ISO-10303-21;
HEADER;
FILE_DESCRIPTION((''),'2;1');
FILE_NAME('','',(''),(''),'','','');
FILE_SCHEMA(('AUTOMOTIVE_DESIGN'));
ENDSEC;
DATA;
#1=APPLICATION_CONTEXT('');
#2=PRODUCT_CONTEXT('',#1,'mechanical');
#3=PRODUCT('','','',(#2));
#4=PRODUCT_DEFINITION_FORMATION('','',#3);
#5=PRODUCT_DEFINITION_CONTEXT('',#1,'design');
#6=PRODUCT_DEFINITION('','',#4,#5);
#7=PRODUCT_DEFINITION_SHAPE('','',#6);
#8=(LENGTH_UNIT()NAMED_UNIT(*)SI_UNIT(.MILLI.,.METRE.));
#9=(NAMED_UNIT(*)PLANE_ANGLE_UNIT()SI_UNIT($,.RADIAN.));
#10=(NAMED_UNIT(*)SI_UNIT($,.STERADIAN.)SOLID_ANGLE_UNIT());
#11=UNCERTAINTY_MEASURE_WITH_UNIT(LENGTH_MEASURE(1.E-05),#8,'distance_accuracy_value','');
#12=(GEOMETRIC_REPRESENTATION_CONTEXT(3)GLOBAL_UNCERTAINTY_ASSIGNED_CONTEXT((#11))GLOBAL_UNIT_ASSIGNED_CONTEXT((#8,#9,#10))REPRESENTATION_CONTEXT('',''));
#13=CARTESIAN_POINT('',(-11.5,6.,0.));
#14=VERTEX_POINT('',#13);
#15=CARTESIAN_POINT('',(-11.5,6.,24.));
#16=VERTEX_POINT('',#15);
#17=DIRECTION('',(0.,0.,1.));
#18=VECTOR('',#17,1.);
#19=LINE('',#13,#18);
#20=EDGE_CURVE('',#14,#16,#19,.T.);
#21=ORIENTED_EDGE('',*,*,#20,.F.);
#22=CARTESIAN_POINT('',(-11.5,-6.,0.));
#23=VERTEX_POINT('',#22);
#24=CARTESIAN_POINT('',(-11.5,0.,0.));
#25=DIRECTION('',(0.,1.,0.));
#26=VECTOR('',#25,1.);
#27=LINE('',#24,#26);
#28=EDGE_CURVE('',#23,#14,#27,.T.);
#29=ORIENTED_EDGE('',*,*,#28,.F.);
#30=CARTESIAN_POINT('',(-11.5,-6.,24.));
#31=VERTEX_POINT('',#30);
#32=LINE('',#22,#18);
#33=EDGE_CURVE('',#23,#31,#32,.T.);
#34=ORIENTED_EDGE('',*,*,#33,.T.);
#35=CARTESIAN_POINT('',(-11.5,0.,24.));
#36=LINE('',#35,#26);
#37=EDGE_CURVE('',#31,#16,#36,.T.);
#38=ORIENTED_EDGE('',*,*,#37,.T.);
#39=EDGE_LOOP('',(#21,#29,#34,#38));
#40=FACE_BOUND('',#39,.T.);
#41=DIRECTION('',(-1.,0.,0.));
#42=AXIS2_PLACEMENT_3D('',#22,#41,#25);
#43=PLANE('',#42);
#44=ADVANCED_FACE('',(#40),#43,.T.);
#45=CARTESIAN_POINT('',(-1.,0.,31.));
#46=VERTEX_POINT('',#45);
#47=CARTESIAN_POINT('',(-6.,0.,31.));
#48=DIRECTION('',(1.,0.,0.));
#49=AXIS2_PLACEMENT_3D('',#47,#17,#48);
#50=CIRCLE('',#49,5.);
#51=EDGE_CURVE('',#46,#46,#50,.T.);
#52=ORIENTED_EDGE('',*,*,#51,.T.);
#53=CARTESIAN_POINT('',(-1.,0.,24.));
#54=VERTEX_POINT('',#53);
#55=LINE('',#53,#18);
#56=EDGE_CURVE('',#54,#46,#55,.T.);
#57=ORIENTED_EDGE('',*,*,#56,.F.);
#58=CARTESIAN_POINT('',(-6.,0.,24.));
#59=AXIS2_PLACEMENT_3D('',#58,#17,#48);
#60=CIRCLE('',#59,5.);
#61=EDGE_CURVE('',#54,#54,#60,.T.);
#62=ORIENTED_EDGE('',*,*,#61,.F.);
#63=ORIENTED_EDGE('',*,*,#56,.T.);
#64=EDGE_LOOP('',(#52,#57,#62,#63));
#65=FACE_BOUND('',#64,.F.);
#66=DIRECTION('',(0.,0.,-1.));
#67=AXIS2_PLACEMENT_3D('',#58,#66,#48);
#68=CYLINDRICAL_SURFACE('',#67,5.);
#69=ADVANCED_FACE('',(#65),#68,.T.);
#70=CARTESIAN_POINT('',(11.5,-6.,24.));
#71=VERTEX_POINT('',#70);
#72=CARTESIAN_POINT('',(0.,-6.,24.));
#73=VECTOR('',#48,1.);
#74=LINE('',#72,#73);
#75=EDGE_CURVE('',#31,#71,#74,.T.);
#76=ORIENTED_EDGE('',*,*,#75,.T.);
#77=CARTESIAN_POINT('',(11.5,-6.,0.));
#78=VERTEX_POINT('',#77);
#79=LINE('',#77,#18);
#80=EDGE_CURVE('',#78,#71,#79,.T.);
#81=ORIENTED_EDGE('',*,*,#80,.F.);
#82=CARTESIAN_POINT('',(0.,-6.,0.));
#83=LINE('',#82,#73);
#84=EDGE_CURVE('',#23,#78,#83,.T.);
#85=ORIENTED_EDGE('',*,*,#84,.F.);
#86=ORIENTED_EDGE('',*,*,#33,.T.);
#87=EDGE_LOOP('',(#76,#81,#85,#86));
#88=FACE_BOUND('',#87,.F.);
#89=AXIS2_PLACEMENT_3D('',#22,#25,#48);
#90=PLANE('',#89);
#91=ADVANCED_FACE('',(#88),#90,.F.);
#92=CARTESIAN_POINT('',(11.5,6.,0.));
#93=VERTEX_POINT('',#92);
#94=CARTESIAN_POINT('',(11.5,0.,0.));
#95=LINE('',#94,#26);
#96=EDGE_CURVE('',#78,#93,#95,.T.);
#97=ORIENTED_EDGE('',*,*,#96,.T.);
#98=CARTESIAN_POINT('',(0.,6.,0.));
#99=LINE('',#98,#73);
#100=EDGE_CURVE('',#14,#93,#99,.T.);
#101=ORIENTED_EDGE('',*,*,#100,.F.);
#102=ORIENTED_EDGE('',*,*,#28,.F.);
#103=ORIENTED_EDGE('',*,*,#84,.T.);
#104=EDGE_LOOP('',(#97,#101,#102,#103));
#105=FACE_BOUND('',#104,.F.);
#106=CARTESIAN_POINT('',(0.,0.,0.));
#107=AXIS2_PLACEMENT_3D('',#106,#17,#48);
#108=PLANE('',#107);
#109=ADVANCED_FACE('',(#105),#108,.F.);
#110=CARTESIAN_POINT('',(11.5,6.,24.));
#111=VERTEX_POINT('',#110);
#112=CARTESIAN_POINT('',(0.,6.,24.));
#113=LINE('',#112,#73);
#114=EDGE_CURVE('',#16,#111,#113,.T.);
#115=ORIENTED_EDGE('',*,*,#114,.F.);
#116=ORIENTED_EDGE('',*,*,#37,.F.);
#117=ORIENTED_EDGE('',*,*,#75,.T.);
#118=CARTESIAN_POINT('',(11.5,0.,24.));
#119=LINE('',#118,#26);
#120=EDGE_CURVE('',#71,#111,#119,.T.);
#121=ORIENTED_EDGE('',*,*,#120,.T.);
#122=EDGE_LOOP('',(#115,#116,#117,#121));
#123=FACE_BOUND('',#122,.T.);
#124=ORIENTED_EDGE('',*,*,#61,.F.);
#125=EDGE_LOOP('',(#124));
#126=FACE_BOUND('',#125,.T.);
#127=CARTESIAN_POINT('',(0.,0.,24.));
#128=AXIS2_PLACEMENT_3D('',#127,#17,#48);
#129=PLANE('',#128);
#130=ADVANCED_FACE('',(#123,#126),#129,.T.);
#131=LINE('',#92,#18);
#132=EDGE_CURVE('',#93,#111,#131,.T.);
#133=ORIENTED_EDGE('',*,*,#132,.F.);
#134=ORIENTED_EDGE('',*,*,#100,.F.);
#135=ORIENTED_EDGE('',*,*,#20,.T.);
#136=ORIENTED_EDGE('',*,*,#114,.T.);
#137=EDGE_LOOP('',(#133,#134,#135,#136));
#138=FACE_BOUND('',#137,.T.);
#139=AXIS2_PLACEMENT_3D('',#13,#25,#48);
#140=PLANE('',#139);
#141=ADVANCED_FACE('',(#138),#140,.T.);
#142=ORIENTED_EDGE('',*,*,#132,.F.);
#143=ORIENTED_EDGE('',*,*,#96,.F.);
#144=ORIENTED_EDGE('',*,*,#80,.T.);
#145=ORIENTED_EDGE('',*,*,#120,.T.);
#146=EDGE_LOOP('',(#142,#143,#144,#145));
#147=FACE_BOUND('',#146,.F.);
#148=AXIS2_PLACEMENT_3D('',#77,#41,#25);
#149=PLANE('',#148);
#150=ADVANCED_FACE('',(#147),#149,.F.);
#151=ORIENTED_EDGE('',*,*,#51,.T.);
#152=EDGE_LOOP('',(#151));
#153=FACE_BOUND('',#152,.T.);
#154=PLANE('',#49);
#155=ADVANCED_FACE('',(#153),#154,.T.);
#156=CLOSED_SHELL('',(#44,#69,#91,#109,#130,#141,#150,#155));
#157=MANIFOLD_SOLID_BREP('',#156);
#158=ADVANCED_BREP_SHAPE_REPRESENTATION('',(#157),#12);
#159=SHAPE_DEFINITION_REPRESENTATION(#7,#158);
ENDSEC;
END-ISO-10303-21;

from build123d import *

# Parameters (mm, degrees)
SKETCH_W     = 23
SKETCH_H     = 12
PAD_DEPTH    = 24
SKETCH001_R  = 5
PAD001_DEPTH = 7


with BuildPart() as part:
    # Sketch → Pad (new body)
    with BuildSketch(Plane.XY):
        Rectangle(SKETCH_W, SKETCH_H)
    extrude(amount=PAD_DEPTH)

    # Sketch001 (on Face6 of Pad) → Pad001 (join)
    with BuildSketch(Plane.XY.offset(24)):
        with Locations((-6, 0)):
            Circle(SKETCH001_R)
    extrude(amount=PAD001_DEPTH)


solid = part.part
